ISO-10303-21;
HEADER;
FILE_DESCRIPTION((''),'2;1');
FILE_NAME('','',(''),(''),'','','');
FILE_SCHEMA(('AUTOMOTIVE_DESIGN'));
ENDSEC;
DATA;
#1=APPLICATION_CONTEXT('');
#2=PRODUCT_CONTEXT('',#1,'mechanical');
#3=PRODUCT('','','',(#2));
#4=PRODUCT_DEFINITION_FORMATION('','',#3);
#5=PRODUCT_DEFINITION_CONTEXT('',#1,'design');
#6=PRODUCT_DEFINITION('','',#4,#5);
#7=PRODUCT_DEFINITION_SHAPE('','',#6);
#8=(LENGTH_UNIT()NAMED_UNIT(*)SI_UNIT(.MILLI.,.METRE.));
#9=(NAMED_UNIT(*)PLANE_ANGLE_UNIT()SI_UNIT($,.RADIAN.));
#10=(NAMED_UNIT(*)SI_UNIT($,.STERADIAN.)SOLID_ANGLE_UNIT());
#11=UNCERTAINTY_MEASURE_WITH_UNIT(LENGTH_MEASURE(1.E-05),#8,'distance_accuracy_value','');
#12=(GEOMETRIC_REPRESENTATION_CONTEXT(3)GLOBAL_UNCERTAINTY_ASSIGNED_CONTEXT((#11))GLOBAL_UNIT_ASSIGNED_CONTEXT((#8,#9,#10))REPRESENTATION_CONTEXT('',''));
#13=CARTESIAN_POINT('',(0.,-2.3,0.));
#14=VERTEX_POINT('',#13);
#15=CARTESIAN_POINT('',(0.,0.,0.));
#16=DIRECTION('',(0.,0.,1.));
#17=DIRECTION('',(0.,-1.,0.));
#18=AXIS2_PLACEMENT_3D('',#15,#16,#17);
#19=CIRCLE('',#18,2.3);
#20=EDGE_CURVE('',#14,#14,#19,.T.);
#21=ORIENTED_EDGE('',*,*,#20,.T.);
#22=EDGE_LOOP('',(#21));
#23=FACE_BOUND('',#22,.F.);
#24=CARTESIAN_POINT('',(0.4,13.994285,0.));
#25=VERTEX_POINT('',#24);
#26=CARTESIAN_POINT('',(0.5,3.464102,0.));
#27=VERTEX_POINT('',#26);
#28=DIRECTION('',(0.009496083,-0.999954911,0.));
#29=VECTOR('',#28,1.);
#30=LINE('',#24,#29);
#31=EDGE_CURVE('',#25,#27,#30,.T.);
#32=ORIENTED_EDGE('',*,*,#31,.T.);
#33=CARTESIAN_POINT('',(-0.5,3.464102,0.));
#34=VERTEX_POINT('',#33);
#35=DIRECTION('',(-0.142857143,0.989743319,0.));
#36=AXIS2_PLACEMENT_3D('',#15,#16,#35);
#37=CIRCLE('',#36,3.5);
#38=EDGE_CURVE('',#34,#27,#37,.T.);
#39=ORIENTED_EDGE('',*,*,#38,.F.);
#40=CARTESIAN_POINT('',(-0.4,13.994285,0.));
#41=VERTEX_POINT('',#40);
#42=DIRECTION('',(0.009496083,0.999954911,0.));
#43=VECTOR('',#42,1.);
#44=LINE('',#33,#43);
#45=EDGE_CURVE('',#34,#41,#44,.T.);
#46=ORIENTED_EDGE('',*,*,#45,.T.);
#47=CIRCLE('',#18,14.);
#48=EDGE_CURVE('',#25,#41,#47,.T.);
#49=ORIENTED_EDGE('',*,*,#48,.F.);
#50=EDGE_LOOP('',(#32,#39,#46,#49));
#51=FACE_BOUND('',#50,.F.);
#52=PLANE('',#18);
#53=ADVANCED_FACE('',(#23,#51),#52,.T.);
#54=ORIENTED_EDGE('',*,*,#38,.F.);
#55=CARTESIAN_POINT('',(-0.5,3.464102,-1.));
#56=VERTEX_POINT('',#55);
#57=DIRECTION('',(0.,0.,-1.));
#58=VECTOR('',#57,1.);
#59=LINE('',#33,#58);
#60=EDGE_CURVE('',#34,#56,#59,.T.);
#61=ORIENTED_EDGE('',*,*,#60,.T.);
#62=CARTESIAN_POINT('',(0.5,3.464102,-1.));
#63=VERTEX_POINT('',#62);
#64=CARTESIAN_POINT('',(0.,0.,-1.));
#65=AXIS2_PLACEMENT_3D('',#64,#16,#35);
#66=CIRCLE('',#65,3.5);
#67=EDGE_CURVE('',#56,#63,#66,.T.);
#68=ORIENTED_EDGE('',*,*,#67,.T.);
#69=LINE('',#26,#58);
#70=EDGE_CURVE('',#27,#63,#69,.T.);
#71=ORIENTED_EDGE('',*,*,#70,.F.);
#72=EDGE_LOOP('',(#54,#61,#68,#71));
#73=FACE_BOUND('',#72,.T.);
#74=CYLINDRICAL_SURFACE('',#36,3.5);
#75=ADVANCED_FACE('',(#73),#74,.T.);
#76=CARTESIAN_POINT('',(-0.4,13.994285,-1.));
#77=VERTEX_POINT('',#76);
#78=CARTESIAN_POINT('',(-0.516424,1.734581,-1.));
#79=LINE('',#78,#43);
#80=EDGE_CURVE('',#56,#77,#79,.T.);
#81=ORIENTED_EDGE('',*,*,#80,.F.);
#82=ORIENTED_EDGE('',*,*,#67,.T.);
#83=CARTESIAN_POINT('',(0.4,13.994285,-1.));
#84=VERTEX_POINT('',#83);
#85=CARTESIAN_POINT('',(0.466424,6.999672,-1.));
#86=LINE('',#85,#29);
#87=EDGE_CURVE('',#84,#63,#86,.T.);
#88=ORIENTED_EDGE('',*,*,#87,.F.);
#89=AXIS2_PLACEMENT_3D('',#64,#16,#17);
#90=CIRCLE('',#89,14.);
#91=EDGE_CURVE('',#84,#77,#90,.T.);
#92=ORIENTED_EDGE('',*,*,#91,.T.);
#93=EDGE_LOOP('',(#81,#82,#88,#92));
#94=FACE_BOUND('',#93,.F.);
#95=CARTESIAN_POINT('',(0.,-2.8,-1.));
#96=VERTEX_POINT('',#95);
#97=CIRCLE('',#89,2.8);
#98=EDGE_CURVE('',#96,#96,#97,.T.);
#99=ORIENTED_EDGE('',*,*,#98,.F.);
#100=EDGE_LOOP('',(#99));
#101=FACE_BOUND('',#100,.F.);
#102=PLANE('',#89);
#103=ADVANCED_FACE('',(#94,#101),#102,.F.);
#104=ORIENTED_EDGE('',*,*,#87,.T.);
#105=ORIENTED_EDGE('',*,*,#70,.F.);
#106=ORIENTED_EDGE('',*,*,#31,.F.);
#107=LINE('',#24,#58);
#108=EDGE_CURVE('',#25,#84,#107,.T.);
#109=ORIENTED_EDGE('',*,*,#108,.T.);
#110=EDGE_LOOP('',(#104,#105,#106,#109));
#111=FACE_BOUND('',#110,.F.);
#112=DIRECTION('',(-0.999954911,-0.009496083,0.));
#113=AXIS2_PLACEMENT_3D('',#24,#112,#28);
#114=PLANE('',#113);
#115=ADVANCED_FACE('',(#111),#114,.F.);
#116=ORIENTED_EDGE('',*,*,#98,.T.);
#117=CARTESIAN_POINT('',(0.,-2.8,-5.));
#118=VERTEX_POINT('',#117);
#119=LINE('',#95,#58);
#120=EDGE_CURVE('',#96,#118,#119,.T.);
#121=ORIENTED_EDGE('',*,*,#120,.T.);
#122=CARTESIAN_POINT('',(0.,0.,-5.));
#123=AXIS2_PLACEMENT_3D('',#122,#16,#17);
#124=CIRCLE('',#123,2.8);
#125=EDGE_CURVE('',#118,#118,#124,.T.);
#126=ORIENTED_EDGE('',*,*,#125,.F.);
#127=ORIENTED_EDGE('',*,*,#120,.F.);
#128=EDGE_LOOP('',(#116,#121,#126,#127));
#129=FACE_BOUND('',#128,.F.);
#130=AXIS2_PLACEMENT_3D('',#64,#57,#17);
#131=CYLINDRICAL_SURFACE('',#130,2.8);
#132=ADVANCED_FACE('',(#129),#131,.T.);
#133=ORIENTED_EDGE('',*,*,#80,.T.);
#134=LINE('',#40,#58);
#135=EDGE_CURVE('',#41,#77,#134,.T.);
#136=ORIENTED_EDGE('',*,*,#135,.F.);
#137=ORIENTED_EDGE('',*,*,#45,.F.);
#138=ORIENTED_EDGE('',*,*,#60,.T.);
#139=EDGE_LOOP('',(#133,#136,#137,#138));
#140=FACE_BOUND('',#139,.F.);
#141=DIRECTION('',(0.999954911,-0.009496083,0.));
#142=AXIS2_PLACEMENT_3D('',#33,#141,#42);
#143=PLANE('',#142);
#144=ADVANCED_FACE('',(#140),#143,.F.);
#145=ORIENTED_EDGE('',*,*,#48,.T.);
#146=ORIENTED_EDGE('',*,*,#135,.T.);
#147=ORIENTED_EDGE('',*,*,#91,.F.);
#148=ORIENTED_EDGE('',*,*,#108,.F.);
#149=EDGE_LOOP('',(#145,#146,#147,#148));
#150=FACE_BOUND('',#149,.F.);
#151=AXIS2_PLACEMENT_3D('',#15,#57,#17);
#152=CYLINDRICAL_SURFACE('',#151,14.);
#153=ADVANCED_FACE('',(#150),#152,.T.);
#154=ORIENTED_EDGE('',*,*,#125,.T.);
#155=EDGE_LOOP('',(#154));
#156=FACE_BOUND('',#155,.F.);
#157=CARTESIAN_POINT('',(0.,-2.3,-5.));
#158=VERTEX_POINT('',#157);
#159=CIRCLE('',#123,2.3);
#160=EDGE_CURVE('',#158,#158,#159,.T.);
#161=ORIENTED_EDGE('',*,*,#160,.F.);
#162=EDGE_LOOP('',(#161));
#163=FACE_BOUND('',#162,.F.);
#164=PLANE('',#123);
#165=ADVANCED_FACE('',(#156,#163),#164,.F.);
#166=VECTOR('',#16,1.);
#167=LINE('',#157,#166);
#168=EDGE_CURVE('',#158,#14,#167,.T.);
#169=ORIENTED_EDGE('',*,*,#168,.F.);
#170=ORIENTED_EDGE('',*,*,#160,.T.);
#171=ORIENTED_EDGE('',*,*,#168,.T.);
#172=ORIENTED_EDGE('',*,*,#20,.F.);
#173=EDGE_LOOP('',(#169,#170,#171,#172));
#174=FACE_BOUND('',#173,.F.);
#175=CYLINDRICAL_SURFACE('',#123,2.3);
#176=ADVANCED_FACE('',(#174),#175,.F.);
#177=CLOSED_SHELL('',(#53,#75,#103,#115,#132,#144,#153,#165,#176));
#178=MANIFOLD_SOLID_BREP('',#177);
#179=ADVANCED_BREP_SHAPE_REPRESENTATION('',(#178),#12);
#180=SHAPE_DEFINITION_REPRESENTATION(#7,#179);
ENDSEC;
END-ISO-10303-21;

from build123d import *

# Parameters (mm, degrees)
POCKET_DEPTH = 5.001


with BuildPart() as part:
    # Sketch → Revolution (revolve)
    with BuildSketch(Plane.YZ):
        Polygon((-14, 0), (-14, -1), (-2.8, -1), (-2.8, -5), (-2.3, -5), (-2.3, 0), align=None)
    revolve(axis=Axis((0, 0, 0), (0, 0, 1)))

    # Sketch001 (on Face6 of Revolution) → Pocket (cut, through all)
    with BuildSketch(Plane(origin=(0, 0, 0), x_dir=(0, -1, 0), z_dir=(0, 0, 1))):
        with BuildLine():
            Line((-13.9942845476, 0.4), (-3.4641016151, 0.5))
            ThreePointArc((-3.4641016151, -0.5), (3.5, 0), (-3.4641016151, 0.5))
            Line((-3.4641016151, -0.5), (-13.9942845476, -0.4))
            ThreePointArc((-13.9942845476, -0.4), (14, 0), (-13.9942845476, 0.4))
        make_face()
    extrude(amount=-POCKET_DEPTH, mode=Mode.SUBTRACT)


solid = part.part
